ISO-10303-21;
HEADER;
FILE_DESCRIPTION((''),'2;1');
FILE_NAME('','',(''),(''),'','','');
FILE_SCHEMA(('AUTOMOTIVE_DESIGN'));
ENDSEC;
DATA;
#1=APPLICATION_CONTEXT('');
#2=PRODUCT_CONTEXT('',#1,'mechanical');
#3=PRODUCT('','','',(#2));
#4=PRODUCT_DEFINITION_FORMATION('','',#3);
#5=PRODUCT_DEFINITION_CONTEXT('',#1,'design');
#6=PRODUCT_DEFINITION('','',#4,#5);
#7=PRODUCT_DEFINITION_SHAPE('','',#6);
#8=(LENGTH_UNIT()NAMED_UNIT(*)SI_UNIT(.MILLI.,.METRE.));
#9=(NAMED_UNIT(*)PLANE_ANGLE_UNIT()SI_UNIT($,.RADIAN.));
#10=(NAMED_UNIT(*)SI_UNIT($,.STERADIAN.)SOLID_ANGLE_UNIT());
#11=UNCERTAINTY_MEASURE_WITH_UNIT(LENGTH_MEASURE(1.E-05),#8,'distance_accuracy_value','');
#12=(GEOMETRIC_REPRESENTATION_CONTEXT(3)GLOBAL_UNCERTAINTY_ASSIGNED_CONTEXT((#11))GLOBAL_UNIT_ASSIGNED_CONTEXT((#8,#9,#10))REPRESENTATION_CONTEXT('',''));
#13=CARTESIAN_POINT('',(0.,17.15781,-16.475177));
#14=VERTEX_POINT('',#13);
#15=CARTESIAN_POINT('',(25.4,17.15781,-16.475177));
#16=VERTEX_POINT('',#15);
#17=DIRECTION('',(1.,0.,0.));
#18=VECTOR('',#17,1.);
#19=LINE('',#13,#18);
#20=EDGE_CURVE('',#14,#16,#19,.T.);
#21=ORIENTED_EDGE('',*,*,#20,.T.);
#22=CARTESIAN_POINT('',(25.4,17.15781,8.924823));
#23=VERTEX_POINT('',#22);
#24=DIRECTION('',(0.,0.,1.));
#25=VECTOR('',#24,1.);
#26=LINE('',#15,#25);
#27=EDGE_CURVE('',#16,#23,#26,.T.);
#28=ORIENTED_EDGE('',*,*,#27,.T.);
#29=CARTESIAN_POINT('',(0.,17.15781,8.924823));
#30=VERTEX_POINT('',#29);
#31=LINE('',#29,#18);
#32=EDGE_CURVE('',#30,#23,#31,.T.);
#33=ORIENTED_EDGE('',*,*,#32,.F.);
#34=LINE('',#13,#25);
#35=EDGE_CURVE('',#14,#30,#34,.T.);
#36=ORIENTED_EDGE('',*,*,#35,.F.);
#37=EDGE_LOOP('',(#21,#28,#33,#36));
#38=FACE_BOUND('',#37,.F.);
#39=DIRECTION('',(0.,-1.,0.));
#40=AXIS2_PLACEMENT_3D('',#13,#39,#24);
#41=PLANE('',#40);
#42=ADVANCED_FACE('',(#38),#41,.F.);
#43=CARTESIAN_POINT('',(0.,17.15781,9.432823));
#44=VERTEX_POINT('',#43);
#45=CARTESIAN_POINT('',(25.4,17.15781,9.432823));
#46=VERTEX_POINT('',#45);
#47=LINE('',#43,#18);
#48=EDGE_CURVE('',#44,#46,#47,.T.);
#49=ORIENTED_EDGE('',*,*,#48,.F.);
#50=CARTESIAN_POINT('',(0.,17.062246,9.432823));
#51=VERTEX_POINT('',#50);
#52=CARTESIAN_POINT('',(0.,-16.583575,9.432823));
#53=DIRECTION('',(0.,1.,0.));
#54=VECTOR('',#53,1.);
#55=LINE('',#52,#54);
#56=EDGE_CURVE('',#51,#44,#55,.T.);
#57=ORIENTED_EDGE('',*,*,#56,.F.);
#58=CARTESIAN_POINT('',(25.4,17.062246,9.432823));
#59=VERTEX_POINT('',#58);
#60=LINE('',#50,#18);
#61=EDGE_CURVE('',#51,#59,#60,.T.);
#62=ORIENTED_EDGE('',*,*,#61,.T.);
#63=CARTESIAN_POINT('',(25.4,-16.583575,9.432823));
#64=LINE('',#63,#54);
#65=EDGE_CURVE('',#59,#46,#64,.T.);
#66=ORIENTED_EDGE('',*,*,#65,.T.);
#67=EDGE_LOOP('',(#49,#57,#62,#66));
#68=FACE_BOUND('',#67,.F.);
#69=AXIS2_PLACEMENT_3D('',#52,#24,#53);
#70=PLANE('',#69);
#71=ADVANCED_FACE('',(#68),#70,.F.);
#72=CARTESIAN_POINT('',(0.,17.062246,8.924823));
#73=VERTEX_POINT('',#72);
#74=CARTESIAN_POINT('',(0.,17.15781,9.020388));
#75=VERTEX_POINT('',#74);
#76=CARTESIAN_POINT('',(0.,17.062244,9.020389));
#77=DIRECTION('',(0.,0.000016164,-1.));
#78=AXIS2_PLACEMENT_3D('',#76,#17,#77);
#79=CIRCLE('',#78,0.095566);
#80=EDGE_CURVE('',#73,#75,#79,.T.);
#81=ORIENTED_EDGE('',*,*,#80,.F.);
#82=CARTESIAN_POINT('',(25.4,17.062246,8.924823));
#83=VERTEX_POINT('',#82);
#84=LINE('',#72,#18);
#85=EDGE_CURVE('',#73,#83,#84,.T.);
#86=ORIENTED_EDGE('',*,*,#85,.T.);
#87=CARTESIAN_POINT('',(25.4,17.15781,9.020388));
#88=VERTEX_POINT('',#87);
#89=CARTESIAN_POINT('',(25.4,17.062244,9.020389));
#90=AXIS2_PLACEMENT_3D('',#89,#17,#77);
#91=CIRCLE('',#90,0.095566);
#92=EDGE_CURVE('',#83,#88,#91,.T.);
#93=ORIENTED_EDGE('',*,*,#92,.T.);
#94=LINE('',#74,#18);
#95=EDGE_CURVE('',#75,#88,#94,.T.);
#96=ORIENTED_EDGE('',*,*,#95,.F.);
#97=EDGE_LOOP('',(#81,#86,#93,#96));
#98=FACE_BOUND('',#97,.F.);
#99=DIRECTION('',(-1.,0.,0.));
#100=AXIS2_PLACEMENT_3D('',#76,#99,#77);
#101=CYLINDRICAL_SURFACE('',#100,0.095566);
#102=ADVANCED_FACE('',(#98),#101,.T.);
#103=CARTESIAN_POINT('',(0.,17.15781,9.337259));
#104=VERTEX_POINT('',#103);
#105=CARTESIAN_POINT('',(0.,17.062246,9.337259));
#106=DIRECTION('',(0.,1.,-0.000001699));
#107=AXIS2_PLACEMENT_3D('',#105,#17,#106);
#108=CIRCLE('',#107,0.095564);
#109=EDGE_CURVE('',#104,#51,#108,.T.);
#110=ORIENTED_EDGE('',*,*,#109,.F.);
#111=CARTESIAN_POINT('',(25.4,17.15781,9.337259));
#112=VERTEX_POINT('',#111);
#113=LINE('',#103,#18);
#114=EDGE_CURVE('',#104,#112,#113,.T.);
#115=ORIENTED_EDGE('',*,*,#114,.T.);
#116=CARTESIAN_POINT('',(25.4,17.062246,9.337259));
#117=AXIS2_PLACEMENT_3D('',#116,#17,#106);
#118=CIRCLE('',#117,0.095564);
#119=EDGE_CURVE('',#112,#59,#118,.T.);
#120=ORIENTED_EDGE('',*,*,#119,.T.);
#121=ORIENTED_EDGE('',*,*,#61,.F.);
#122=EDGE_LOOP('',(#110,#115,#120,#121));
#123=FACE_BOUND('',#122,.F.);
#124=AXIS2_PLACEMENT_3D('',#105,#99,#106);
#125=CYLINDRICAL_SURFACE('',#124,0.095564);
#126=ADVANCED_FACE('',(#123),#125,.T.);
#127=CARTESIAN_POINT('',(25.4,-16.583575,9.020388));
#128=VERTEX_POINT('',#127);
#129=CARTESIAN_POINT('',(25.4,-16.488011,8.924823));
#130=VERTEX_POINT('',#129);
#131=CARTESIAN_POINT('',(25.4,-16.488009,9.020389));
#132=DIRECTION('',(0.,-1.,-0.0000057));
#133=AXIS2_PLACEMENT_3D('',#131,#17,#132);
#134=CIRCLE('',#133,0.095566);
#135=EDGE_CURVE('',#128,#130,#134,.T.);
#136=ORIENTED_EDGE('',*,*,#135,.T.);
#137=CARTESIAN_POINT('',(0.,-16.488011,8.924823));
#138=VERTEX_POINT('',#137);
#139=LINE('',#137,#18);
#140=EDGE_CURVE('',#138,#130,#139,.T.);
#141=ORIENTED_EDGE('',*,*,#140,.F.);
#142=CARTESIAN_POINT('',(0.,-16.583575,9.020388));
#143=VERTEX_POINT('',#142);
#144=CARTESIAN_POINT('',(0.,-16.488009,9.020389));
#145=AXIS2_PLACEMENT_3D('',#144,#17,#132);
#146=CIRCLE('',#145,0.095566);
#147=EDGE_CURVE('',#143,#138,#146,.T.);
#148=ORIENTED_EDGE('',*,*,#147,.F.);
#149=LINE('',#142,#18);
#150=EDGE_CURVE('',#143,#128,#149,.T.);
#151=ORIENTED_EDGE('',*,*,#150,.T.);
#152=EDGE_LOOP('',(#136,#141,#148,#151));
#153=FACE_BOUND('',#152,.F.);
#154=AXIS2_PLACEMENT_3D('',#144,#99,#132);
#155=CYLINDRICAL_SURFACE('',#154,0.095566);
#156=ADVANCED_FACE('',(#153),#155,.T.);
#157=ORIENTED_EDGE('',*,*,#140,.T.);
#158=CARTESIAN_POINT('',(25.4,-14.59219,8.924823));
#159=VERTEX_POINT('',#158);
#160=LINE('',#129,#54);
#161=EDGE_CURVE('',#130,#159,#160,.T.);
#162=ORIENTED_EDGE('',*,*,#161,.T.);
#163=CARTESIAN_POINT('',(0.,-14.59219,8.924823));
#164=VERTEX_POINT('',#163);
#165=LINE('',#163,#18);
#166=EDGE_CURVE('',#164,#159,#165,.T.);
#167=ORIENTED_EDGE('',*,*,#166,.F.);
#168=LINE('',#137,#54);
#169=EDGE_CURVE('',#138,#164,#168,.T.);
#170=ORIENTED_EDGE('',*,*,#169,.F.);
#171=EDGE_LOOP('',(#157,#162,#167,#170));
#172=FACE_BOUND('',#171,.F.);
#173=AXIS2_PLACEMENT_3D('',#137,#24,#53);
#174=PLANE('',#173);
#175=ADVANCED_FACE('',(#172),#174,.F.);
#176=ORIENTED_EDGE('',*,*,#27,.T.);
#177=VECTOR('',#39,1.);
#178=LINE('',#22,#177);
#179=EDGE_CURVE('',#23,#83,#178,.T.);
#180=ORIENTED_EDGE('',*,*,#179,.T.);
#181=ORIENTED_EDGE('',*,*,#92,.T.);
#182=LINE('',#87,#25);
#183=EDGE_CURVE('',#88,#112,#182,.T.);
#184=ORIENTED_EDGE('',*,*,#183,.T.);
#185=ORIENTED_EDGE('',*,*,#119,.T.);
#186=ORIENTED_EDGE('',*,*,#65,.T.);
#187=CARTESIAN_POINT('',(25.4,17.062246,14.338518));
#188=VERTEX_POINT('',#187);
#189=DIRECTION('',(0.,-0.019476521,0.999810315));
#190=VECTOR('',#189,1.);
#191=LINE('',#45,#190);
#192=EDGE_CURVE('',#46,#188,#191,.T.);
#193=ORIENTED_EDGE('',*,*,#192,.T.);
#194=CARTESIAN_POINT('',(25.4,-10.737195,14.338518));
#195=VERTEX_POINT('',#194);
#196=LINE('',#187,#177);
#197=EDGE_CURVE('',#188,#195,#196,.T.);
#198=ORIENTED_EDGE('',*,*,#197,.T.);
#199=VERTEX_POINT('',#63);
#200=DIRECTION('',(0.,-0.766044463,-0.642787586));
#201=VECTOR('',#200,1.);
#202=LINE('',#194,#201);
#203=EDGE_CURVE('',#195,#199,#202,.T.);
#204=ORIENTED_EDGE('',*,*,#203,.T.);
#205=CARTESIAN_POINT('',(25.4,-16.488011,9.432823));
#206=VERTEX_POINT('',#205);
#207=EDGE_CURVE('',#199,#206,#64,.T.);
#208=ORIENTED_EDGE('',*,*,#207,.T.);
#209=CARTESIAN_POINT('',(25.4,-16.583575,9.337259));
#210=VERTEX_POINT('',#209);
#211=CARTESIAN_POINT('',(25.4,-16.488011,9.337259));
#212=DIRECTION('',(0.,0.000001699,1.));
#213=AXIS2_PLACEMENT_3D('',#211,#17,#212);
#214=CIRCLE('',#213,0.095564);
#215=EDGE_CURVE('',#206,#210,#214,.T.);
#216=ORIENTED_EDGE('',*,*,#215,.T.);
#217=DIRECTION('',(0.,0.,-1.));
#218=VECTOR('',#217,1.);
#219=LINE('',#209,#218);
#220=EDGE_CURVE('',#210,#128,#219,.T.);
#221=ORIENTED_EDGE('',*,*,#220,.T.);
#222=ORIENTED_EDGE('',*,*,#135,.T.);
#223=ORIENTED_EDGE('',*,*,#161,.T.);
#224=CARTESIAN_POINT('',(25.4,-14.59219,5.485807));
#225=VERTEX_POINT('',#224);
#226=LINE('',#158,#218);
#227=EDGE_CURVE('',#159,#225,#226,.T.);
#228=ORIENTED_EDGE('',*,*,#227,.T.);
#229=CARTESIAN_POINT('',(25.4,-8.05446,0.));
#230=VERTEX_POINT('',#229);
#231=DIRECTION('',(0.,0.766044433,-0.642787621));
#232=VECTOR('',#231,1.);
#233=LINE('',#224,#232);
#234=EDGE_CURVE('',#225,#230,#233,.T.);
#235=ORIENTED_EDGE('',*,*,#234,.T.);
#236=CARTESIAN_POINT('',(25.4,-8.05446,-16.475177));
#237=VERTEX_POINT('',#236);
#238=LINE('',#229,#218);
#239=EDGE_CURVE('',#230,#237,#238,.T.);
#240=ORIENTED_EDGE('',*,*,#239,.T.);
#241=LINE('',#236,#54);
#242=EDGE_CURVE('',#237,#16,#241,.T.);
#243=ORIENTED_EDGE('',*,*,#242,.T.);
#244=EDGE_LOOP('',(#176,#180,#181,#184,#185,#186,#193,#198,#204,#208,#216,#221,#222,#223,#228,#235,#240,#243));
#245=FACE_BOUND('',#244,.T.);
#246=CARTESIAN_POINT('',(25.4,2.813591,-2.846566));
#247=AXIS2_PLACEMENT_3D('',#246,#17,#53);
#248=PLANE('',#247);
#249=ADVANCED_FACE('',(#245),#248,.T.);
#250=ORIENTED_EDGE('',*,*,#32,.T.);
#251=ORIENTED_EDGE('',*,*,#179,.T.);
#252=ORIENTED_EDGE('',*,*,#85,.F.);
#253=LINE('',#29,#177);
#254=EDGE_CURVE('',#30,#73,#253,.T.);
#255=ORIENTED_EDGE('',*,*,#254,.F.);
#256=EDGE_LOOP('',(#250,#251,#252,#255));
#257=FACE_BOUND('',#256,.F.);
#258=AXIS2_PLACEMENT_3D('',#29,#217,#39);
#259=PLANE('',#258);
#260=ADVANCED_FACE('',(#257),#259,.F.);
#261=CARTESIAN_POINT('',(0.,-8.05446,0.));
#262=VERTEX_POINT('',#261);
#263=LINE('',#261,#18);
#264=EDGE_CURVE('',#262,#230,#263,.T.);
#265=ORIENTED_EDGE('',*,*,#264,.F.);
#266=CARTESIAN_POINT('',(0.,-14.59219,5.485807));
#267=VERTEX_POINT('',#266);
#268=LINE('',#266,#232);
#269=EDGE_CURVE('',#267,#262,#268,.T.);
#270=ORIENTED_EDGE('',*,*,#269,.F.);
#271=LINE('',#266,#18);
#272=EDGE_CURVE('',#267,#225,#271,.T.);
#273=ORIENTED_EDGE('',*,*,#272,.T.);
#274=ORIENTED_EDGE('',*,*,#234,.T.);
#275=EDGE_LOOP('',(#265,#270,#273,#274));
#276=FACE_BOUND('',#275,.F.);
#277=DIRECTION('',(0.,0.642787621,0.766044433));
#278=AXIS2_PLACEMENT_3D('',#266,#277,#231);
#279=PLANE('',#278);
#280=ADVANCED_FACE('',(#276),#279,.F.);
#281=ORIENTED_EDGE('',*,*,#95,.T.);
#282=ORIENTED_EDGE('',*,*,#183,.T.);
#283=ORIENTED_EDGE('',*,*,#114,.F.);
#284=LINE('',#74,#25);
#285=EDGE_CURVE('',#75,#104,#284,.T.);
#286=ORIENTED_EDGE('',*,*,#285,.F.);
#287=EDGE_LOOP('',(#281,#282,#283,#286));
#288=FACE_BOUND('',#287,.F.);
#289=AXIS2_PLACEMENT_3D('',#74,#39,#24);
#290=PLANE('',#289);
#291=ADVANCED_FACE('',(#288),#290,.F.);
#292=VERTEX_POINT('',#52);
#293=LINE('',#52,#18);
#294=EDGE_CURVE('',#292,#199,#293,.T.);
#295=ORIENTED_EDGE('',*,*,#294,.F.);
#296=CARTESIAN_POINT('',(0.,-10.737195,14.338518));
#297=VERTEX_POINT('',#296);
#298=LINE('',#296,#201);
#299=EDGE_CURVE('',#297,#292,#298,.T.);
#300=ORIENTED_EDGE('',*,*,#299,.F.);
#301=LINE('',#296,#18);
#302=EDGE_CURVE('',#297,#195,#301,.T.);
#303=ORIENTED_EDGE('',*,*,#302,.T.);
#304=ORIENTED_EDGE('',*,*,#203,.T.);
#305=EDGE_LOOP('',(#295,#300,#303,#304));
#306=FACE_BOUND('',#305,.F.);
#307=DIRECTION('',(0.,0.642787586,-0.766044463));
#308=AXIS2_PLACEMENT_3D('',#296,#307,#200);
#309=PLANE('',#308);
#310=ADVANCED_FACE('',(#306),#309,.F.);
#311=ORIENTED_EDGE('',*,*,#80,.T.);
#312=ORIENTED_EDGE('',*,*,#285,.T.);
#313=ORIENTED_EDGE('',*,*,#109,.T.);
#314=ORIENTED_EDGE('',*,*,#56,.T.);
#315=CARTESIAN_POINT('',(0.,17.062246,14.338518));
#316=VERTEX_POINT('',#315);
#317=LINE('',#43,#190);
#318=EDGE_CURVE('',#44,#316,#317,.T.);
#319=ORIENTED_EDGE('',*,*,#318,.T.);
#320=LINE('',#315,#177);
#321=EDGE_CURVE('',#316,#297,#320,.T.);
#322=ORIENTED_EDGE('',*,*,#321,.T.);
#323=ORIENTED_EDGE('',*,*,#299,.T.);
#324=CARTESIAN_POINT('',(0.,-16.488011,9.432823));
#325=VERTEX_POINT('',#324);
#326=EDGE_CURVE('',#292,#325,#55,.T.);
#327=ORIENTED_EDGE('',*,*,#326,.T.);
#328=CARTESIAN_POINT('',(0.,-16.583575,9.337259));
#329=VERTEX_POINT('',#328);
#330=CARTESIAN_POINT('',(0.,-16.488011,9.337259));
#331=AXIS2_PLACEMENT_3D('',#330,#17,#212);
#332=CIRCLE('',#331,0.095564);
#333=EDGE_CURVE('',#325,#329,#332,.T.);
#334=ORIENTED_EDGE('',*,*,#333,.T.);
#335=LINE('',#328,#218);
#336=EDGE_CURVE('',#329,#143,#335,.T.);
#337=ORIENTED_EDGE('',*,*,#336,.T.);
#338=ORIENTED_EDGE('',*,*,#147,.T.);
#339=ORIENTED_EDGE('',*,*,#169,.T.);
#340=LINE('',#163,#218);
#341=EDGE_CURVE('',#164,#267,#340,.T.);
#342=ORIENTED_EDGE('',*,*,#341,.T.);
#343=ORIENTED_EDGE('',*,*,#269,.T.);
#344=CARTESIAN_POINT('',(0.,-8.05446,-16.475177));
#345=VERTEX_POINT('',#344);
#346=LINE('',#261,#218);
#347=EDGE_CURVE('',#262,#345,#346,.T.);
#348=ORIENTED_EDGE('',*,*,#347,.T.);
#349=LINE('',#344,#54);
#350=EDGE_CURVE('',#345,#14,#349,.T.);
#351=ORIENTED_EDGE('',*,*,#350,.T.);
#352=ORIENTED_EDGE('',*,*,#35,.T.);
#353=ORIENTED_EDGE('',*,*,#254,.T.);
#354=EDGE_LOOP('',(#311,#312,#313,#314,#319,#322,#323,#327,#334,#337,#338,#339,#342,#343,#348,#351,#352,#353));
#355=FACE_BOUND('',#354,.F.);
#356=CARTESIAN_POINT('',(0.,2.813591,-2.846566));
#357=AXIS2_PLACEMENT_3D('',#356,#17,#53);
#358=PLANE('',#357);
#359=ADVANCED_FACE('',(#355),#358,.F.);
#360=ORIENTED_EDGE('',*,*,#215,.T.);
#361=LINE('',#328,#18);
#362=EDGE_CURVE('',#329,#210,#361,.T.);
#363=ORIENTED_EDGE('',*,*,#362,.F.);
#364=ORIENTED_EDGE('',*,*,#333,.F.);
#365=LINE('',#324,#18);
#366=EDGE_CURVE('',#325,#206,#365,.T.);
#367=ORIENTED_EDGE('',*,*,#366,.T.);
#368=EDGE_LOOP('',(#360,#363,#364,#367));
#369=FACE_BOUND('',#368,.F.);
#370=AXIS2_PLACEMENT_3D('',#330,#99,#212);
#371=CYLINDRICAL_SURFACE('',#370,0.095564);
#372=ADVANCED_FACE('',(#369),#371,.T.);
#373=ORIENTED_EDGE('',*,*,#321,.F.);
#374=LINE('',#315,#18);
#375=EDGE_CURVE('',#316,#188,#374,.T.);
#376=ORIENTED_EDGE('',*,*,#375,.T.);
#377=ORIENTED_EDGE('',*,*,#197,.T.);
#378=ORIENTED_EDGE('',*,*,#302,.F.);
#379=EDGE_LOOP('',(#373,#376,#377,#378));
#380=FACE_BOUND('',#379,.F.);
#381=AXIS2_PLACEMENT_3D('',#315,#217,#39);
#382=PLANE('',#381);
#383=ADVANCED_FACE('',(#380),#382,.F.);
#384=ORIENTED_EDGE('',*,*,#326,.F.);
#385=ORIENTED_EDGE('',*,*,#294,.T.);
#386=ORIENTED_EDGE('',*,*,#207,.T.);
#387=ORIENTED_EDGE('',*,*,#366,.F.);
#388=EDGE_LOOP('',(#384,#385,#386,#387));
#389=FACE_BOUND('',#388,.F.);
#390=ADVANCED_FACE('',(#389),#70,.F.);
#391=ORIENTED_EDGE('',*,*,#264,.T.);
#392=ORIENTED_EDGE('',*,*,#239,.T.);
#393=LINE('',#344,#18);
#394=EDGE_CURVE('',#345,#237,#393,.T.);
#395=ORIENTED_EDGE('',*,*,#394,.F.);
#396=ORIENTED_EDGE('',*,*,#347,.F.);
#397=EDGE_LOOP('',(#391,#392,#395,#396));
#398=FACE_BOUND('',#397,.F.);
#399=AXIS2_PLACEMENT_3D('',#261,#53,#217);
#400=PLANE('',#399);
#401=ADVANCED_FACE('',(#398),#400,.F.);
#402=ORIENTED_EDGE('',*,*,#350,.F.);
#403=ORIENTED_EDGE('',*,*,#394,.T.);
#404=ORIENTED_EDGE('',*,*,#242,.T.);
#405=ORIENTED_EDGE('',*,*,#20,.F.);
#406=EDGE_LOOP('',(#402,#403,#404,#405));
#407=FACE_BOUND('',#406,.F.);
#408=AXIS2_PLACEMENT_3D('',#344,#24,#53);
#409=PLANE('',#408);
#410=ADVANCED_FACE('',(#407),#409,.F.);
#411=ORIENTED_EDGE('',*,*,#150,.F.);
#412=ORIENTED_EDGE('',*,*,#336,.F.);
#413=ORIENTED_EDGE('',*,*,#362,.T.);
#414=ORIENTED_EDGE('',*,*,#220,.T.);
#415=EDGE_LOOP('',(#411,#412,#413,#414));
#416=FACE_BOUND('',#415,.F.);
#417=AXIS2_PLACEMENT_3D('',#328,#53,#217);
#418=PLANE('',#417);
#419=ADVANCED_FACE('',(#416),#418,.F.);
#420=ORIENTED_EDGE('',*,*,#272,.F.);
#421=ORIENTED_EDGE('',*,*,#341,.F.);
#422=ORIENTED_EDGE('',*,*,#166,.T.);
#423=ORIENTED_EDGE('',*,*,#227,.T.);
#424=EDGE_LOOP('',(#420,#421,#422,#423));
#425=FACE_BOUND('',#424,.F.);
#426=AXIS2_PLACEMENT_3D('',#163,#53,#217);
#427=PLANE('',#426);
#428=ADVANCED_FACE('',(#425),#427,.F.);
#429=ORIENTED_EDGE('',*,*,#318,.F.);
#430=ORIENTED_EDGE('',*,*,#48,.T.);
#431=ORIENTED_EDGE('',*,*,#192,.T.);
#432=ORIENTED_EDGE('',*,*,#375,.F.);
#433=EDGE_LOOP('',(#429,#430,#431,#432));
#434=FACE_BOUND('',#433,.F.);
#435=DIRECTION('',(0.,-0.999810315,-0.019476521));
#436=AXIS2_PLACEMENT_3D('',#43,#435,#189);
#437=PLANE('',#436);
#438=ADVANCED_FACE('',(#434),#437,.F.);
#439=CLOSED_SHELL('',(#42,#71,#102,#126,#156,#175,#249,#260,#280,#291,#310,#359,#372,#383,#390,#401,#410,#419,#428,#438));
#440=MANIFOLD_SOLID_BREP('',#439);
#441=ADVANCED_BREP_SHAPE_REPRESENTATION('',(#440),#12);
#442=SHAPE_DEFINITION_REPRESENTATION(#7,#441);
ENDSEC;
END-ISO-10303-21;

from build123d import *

# Parameters (mm, degrees)
F1_DEPTH = 25.4
F2_DEPTH = 25.4
F3_DEPTH = 25.4


with BuildPart() as f1:
    # F0 (on Right) → F1 (new body)
    with BuildSketch(Plane.YZ):
        Polygon((-16.583575, 9.432823), (-16.488011, 9.432823), (17.062246, 9.432823), (17.15781, 9.432823), (17.062246, 14.338518), (-10.737195, 14.338518), align=None)
    extrude(amount=F1_DEPTH)

    # F0 (on Right) → F2 (join)
    with BuildSketch(Plane.YZ):
        with BuildLine():
            Line((-16.488011, 8.924823), (-14.59219, 8.924823))
            Line((-14.59219, 8.924823), (17.062246, 8.924823))
            ThreePointArc((17.062246, 8.924823), (17.12982, 8.952814), (17.15781, 9.020388))
            Line((17.15781, 9.020388), (17.15781, 9.337259))
            ThreePointArc((17.15781, 9.337259), (17.12982, 9.404833), (17.062246, 9.432823))
            Line((17.062246, 9.432823), (-16.488011, 9.432823))
            ThreePointArc((-16.488011, 9.432823), (-16.555585, 9.404833), (-16.583575, 9.337259))
            Line((-16.583575, 9.337259), (-16.583575, 9.020388))
            ThreePointArc((-16.583575, 9.020388), (-16.555585, 8.952814), (-16.488011, 8.924823))
        make_face()
    extrude(amount=F2_DEPTH)

    # F0 (on Right) → F3 (join)
    with BuildSketch(Plane.YZ):
        Polygon((17.062246, 8.924823), (-14.59219, 8.924823), (-14.59219, 5.485807), (-8.05446, 0), (-8.05446, -16.475177), (17.15781, -16.475177), (17.15781, 8.924823), align=None)
    extrude(amount=F3_DEPTH)


solid = f1.part
